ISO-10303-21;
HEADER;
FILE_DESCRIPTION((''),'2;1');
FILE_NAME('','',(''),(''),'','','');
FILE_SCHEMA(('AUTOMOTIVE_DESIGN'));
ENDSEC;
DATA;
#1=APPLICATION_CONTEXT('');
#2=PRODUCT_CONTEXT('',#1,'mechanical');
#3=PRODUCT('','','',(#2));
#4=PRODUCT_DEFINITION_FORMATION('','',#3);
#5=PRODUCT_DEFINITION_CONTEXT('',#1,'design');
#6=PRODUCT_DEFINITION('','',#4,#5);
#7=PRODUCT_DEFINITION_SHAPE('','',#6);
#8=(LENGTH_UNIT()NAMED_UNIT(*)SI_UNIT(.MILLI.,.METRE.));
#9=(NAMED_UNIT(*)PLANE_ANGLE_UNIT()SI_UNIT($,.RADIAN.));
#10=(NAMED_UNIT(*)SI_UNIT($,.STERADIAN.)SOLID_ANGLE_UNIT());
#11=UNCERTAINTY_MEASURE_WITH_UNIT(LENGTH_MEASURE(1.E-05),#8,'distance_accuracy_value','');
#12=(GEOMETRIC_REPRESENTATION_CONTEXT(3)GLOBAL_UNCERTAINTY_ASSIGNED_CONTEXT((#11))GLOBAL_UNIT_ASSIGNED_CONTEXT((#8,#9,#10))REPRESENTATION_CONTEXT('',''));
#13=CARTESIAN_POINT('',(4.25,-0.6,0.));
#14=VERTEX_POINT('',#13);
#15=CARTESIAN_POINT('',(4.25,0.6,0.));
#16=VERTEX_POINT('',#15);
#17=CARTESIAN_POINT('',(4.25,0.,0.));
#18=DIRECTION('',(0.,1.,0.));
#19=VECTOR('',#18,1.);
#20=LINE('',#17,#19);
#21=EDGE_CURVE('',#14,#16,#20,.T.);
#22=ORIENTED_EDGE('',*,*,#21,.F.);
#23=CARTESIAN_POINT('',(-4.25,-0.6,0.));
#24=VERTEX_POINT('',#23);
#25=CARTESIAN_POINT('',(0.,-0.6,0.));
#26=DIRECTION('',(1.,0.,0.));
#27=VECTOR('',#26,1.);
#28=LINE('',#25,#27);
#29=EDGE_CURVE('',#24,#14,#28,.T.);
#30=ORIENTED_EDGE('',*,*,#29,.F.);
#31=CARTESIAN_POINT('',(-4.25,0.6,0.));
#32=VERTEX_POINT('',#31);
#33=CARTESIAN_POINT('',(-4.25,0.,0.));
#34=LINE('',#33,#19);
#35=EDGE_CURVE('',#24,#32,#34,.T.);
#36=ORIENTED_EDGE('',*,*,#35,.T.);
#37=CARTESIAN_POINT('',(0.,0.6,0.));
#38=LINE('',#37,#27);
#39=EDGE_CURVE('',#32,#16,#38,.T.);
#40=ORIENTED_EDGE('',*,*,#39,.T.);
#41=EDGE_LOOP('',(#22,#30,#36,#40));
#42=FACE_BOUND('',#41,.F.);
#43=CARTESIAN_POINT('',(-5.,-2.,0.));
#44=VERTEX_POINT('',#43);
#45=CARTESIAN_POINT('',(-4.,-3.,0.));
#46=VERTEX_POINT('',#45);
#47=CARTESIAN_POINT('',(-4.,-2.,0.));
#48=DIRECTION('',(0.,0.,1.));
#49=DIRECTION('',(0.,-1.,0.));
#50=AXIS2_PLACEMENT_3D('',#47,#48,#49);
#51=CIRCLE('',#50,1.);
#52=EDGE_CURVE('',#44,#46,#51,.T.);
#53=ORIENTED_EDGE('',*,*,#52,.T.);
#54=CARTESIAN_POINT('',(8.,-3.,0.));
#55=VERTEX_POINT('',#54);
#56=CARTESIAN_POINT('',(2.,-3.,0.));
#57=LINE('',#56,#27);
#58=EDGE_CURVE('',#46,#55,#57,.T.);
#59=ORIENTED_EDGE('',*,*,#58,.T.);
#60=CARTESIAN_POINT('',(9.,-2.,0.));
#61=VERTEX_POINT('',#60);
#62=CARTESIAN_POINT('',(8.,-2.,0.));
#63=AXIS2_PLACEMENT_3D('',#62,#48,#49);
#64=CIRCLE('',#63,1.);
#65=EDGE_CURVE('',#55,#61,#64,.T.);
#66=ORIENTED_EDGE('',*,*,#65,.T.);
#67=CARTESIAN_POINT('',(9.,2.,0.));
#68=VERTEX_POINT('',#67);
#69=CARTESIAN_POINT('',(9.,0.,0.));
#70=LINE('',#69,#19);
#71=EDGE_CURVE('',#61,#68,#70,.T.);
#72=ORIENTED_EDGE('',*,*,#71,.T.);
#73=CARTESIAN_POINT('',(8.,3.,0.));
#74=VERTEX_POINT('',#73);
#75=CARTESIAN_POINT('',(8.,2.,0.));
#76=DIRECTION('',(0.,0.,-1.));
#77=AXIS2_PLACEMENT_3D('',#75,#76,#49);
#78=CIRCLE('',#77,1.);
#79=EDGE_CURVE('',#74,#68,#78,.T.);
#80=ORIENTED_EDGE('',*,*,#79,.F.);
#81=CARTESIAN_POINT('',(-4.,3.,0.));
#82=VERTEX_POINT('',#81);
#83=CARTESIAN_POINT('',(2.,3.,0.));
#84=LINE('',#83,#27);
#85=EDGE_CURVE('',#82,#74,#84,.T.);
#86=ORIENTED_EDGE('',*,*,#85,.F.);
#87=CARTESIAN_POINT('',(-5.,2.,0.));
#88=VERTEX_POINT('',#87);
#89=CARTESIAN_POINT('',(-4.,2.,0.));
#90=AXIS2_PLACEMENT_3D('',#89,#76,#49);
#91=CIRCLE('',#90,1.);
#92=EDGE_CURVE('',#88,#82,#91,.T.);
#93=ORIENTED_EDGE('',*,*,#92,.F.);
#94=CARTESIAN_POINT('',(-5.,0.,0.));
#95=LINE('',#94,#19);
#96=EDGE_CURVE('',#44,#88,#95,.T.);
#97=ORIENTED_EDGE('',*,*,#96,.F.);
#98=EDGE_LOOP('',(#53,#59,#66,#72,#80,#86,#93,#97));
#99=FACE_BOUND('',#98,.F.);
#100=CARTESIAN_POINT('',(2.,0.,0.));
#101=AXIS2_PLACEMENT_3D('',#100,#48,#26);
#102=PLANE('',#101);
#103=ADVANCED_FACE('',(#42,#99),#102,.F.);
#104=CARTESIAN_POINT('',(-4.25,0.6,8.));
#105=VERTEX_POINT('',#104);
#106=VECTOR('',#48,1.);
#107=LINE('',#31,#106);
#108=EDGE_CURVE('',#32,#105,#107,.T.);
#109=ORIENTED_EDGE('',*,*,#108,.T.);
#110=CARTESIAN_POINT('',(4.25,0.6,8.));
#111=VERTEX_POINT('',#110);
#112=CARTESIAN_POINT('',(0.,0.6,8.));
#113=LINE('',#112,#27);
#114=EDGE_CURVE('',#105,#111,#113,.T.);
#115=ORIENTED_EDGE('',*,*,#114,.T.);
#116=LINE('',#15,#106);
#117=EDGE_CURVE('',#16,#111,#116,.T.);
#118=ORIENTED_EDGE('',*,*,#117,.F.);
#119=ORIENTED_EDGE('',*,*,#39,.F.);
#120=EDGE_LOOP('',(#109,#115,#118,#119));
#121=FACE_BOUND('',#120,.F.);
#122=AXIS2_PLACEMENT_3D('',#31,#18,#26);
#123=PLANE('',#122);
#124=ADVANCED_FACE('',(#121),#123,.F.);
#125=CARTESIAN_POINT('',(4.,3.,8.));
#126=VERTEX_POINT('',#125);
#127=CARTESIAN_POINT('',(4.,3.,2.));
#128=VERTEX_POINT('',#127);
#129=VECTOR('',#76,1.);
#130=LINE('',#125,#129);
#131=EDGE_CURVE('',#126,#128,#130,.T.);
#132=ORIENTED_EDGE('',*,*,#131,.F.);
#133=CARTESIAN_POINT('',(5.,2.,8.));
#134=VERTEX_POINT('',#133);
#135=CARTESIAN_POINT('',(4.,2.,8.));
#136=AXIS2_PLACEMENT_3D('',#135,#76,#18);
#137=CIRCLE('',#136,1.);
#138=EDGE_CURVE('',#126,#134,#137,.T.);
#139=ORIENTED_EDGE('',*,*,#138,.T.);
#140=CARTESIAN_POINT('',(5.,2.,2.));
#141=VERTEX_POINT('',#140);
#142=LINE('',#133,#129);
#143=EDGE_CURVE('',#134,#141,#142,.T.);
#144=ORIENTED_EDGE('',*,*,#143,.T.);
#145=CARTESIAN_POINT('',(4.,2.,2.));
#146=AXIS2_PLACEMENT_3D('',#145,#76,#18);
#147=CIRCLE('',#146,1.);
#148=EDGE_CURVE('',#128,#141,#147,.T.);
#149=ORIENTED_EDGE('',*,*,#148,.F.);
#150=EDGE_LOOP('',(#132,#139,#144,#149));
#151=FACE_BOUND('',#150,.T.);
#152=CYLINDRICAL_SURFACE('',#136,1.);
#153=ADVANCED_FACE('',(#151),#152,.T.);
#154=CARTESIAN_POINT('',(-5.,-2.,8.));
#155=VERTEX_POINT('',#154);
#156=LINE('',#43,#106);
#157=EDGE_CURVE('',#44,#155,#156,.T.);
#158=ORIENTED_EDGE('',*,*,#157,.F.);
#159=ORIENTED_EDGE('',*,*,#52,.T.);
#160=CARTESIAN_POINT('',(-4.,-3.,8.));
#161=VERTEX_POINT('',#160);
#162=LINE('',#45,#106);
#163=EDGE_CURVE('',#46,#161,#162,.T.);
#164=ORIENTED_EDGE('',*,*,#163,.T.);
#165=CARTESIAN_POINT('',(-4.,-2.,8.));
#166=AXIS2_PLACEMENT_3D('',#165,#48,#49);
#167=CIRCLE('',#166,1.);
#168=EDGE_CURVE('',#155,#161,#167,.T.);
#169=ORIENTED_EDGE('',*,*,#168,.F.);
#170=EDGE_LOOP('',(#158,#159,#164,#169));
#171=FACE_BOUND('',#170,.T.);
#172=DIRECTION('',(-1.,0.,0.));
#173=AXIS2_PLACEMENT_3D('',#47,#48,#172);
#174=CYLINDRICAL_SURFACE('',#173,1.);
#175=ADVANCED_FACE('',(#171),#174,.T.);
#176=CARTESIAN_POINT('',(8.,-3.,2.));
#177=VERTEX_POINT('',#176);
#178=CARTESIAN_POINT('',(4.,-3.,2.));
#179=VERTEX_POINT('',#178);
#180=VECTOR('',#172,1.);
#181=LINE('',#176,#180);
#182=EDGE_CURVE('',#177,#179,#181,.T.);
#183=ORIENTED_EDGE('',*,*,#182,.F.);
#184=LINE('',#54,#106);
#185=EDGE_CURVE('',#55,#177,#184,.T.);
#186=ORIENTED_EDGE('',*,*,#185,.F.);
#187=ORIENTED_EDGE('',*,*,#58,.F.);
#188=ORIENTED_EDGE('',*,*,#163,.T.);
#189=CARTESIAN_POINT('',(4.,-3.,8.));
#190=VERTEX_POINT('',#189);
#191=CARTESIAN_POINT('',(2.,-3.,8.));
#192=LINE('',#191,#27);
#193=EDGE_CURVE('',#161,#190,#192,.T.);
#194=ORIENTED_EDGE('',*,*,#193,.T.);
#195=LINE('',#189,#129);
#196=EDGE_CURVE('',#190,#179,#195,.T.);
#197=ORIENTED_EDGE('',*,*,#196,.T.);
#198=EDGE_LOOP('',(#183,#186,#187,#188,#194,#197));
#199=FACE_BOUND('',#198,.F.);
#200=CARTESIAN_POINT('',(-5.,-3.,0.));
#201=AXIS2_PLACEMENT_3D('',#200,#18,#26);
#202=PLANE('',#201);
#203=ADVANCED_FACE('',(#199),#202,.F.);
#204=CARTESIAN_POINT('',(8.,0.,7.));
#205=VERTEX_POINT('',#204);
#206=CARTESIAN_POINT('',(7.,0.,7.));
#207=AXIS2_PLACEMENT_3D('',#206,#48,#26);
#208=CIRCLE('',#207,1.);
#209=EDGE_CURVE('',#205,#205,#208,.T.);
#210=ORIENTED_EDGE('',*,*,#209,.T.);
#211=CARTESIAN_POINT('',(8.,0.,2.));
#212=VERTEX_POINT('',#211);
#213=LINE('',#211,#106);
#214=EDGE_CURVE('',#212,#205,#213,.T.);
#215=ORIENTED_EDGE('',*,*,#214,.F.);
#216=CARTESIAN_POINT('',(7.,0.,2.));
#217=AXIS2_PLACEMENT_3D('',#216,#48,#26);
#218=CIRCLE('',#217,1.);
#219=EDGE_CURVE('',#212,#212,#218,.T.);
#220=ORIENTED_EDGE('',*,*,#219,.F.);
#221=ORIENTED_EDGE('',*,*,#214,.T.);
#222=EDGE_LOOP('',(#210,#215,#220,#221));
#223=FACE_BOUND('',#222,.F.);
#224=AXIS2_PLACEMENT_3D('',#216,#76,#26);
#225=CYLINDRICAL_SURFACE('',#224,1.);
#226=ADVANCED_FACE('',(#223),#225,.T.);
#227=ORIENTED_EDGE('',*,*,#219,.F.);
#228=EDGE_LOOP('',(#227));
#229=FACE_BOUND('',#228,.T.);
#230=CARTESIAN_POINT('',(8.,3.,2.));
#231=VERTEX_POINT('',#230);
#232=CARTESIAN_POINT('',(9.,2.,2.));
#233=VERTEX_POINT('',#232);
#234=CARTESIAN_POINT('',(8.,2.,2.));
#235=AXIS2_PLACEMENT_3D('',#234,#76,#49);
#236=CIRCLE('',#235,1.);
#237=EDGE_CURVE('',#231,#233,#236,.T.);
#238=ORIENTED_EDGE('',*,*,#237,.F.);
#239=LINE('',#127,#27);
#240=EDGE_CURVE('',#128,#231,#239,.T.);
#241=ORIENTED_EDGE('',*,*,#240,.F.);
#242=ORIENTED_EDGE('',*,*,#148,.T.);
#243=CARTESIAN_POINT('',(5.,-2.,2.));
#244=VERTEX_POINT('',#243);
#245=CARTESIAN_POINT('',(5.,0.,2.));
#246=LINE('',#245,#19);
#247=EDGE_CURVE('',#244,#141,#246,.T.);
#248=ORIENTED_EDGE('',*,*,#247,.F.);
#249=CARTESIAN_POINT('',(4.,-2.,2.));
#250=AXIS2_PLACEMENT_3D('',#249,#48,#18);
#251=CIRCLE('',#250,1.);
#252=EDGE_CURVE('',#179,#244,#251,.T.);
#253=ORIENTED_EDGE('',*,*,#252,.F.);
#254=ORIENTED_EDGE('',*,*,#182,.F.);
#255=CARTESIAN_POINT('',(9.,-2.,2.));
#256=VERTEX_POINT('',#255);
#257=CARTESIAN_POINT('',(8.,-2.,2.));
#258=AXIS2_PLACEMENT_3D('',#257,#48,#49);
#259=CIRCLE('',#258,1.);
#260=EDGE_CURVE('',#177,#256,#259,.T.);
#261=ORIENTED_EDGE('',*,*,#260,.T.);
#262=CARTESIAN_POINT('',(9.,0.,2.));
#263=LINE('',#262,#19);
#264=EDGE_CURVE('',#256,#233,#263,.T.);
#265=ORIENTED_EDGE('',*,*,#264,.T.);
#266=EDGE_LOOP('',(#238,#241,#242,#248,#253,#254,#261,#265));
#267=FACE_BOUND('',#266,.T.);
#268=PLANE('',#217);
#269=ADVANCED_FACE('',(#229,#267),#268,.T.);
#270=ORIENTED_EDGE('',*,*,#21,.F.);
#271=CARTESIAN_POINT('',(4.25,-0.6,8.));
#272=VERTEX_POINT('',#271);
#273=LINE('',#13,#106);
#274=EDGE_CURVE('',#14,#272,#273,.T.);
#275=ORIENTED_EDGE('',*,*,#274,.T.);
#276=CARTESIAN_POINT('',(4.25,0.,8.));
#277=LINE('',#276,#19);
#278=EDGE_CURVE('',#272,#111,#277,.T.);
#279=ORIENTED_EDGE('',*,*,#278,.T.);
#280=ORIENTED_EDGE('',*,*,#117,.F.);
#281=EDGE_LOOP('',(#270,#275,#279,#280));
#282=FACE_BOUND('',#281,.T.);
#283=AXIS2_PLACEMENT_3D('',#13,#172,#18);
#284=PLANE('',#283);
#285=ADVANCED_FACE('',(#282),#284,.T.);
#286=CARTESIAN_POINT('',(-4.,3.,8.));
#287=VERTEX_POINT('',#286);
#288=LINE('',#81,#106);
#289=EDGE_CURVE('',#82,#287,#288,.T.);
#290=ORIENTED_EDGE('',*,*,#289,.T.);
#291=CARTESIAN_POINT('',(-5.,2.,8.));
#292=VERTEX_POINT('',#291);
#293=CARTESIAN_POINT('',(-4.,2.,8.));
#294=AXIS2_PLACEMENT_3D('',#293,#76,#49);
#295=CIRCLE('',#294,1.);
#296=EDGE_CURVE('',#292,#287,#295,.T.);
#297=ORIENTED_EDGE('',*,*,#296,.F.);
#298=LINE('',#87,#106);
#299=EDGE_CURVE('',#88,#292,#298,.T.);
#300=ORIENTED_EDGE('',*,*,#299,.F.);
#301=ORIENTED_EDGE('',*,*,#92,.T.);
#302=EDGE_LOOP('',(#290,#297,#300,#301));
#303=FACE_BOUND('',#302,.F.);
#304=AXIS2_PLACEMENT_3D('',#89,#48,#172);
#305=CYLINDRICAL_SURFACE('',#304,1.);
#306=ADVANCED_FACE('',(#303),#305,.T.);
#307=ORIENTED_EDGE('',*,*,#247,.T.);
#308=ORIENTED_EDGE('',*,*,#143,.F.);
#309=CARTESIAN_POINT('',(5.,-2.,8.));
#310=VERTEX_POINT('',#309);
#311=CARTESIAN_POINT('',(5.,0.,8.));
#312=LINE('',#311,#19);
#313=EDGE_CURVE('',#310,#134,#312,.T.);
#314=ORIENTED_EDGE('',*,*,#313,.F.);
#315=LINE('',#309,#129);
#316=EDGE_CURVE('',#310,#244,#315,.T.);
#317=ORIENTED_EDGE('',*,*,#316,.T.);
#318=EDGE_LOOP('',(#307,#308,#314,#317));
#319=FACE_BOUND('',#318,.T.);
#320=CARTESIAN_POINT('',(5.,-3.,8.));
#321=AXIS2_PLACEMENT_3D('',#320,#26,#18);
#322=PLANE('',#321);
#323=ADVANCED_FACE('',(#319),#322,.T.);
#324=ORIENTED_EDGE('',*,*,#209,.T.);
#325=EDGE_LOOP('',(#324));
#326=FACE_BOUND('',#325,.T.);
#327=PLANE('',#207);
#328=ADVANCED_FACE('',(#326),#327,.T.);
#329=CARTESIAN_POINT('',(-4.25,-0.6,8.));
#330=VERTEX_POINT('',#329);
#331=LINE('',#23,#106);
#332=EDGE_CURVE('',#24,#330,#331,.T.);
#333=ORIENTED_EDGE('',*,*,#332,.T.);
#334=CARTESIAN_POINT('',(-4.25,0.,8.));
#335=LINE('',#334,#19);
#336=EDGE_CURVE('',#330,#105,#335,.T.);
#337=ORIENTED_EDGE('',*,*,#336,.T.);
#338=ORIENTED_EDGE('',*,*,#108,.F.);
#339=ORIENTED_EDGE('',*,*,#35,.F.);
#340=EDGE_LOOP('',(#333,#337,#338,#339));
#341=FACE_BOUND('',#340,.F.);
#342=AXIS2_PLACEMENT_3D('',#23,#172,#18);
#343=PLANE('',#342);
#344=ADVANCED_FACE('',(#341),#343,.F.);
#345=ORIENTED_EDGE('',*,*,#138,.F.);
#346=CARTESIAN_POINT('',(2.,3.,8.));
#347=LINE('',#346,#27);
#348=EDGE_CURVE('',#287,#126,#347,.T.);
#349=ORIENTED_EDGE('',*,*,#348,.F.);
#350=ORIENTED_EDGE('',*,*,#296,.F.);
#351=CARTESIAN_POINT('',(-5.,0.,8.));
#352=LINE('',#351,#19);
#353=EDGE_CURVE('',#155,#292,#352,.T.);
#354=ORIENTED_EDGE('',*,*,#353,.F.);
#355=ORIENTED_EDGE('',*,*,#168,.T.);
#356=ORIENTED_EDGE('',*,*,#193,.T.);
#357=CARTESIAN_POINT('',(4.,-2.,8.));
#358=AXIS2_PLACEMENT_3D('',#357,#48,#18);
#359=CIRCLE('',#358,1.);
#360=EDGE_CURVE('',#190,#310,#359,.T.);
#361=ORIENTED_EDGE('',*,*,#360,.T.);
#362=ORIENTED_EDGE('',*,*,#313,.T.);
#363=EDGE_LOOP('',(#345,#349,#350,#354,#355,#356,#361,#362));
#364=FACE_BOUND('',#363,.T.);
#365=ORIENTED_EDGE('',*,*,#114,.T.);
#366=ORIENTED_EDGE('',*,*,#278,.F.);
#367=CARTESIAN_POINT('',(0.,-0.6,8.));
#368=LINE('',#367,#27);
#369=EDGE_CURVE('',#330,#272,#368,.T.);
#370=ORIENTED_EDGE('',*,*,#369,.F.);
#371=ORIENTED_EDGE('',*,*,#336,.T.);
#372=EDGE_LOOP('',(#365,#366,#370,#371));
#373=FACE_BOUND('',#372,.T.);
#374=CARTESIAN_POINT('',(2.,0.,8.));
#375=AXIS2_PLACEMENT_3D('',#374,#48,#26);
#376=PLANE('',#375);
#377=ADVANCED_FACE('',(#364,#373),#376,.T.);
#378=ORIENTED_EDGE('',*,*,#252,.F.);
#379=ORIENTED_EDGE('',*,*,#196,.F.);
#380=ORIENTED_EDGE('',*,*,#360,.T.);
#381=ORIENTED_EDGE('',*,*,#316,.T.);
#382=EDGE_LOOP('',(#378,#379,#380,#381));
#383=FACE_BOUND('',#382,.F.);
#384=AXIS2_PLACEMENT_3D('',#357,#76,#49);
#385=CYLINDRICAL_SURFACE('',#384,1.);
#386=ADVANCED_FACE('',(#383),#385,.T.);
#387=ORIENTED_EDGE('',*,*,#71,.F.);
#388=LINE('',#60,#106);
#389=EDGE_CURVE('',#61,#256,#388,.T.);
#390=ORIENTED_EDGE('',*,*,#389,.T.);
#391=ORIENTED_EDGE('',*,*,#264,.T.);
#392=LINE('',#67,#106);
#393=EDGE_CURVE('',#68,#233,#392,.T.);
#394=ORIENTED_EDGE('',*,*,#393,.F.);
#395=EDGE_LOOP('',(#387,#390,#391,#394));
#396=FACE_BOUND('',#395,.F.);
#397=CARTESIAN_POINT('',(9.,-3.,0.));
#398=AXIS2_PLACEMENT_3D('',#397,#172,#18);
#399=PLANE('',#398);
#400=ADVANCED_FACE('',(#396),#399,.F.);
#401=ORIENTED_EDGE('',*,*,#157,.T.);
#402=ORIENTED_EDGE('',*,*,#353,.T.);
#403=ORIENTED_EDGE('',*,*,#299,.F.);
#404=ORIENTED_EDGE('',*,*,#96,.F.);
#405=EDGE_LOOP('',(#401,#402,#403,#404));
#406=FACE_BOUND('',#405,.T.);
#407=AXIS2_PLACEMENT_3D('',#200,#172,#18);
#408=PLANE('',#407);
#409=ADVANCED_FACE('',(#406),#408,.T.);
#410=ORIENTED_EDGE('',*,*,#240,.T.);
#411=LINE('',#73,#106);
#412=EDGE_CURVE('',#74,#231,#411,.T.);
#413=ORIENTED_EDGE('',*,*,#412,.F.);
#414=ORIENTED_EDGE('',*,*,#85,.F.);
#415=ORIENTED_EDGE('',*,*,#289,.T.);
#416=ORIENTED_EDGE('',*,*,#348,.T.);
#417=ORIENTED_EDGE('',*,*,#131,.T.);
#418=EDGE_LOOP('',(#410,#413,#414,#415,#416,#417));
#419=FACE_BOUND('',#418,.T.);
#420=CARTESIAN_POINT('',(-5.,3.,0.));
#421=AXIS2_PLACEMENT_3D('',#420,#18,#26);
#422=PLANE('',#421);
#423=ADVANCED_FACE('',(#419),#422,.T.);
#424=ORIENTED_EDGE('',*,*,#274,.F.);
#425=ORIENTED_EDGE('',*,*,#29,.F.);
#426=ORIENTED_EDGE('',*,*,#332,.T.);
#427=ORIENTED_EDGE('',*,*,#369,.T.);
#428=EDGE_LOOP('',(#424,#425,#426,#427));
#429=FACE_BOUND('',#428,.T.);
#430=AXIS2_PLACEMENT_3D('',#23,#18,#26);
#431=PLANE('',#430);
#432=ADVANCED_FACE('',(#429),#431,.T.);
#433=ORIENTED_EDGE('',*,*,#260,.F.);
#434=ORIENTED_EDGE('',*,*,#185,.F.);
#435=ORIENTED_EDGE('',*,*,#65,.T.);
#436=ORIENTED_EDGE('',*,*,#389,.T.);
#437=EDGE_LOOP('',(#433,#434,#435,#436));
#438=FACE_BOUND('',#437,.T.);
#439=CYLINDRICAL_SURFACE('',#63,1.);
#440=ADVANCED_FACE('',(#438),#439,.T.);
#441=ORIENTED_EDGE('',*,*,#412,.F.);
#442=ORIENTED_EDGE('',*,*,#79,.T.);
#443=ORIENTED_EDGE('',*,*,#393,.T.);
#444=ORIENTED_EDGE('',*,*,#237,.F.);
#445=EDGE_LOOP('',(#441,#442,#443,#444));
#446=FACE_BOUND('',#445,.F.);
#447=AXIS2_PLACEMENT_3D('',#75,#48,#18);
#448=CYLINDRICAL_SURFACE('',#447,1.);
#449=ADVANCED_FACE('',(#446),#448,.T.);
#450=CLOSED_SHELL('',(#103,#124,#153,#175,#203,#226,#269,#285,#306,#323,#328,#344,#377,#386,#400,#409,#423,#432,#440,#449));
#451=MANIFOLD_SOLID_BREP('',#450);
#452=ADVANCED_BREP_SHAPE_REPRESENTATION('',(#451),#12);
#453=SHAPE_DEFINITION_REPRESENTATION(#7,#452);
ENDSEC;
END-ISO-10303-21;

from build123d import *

# Parameters (mm, degrees)
F0_W     = 14
F0_H     = 6
F0_W_2   = 8.5
F0_H_2   = 1.2
F1_DEPTH = 8
F2_W     = 4
F2_H     = 6
F3_DEPTH = 6
F4_R     = 1
F5_DEPTH = 5
F6_R     = 1


with BuildPart() as f1:
    # F0 (on Top) → F1 (new body)
    with BuildSketch(Plane.XY):
        with Locations((2, 0)):
            Rectangle(F0_W, F0_H)
        Rectangle(F0_W_2, F0_H_2, mode=Mode.SUBTRACT)
    extrude(amount=F1_DEPTH)

    # F2 (on face) → F3 (cut)
    with BuildSketch(Plane.XY.offset(8)):
        with Locations((7, 0)):
            Rectangle(F2_W, F2_H)
    extrude(amount=-F3_DEPTH, mode=Mode.SUBTRACT)

    # F4 (on face) → F5 (join)
    with BuildSketch(Plane.XY.offset(2)):
        with Locations((7, 0)):
            Circle(F4_R)
    extrude(amount=F5_DEPTH)

    # F6
    f6_edges = [f1.edges().sort_by_distance(p)[0] for p in [
        (5, 3, 5),
        (5, -3, 5),
        (9, -3, 1),
        (9, 3, 1),
        (-5, 3, 4),
        (-5, -3, 4),
    ]]
    fillet(f6_edges, radius=F6_R)


solid = f1.part
